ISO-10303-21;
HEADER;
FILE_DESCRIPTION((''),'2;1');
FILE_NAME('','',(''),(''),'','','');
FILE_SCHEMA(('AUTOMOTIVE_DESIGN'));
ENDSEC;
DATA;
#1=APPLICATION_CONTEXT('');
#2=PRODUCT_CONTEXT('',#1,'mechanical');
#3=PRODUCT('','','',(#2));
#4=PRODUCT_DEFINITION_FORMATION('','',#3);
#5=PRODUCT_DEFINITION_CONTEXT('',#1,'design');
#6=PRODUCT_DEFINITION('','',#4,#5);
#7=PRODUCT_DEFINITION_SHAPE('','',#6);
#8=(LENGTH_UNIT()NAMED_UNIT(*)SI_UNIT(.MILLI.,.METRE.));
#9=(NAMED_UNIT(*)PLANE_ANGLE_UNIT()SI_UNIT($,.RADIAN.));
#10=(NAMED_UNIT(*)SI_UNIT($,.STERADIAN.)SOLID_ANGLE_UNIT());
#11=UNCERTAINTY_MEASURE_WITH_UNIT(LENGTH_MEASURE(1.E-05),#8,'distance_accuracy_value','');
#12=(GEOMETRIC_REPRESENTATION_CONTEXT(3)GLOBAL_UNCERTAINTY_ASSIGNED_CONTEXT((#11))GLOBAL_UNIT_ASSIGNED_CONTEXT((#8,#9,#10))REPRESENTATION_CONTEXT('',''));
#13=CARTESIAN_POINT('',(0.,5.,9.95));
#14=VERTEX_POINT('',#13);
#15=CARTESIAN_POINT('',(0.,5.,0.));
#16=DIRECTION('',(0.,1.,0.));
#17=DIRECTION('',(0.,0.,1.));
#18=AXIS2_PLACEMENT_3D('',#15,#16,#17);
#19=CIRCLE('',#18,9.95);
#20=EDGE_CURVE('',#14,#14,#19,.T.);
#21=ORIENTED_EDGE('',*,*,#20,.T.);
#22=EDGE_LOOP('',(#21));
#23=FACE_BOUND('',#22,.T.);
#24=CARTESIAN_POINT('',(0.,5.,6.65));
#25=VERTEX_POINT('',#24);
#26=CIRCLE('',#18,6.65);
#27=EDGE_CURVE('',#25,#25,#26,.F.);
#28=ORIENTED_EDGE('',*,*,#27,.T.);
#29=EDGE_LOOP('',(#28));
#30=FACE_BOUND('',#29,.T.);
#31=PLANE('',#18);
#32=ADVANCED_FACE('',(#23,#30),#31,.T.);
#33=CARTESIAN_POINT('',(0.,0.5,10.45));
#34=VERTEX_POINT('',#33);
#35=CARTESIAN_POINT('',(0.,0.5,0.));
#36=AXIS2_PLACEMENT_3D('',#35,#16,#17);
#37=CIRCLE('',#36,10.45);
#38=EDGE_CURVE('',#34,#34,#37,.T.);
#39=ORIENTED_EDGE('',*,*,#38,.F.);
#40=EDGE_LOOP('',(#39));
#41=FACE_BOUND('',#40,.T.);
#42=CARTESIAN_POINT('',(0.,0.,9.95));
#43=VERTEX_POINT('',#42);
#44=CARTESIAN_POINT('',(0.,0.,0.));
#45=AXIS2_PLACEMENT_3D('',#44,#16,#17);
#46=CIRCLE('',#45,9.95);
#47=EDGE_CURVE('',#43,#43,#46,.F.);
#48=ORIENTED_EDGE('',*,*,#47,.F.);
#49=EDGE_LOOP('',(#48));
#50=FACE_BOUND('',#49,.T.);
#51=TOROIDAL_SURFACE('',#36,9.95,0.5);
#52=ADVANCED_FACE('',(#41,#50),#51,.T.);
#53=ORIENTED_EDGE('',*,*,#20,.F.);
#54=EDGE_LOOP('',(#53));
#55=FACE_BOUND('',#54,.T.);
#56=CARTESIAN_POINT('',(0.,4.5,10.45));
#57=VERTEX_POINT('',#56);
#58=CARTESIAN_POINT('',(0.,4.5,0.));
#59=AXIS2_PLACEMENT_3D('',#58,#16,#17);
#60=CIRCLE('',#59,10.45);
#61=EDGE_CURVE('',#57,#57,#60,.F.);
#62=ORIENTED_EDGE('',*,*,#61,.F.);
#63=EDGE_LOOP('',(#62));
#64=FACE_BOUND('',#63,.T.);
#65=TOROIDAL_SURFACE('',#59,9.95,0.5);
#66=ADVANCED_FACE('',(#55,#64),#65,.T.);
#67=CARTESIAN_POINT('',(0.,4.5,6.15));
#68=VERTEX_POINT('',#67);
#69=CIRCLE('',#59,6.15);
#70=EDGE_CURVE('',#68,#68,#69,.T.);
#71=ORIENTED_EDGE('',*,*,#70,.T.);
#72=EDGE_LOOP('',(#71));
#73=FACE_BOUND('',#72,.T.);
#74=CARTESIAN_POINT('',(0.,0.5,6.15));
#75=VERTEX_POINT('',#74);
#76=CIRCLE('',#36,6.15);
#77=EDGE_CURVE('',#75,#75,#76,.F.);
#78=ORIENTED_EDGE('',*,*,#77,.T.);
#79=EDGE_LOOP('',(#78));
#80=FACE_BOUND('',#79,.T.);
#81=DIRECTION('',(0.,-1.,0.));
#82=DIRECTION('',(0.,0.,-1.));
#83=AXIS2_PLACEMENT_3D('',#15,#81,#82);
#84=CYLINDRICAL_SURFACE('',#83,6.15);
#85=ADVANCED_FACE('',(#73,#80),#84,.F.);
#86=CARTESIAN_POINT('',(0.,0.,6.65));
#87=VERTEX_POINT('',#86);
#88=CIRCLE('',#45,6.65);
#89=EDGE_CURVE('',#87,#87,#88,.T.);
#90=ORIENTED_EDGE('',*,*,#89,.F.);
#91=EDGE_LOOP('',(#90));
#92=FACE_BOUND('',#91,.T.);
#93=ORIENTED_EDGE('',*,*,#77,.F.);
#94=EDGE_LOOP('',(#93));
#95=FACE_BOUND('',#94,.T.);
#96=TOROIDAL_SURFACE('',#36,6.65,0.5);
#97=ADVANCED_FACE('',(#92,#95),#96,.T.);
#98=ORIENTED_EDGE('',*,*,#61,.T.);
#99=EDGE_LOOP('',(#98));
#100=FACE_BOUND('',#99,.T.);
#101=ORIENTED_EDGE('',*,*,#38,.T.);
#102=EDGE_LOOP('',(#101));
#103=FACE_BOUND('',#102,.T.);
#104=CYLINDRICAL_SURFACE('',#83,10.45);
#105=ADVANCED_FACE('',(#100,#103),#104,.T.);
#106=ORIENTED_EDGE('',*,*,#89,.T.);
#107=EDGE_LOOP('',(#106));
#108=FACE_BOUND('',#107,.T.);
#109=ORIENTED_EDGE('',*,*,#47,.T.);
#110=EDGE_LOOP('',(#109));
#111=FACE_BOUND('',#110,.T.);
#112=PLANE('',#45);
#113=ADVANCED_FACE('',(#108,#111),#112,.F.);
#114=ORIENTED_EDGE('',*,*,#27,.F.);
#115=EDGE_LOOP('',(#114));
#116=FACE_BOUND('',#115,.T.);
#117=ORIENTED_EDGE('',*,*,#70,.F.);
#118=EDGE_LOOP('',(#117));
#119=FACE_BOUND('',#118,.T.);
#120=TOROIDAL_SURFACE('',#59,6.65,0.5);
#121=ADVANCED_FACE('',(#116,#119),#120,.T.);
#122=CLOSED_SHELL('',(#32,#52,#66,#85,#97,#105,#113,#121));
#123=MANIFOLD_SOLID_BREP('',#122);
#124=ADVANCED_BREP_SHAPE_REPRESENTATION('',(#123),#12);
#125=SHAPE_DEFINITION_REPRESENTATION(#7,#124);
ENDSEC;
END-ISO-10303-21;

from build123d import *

# Parameters (mm, degrees)
SKETCH_1_R      = 10.45
SKETCH_1_R_2    = 6.15
EXTRUDE_1_DEPTH = 5
FILLET_1_R      = 0.5


with BuildPart() as part:
    # Эскиз1 → Бобышка-Вытянуть1 (new body)
    with BuildSketch(Plane(origin=(0, 0, 0), x_dir=(1, 0, 0), z_dir=(0, 1, 0))):
        with Locations(Location((0, 0, 0), (0, 0, 270))):
            Circle(SKETCH_1_R)
        with Locations(Location((0, 0, 0), (0, 0, 270))):
            Circle(SKETCH_1_R_2, mode=Mode.SUBTRACT)
    extrude(amount=EXTRUDE_1_DEPTH)

    # Скругление1
    fillet_1_edges = [part.edges().sort_by_distance(p)[0] for p in [
        (0, 0, -10.45),
        (0, 5, -10.45),
        (0, 0, -6.15),
        (0, 5, -6.15),
    ]]
    fillet(fillet_1_edges, radius=FILLET_1_R)


solid = part.part
